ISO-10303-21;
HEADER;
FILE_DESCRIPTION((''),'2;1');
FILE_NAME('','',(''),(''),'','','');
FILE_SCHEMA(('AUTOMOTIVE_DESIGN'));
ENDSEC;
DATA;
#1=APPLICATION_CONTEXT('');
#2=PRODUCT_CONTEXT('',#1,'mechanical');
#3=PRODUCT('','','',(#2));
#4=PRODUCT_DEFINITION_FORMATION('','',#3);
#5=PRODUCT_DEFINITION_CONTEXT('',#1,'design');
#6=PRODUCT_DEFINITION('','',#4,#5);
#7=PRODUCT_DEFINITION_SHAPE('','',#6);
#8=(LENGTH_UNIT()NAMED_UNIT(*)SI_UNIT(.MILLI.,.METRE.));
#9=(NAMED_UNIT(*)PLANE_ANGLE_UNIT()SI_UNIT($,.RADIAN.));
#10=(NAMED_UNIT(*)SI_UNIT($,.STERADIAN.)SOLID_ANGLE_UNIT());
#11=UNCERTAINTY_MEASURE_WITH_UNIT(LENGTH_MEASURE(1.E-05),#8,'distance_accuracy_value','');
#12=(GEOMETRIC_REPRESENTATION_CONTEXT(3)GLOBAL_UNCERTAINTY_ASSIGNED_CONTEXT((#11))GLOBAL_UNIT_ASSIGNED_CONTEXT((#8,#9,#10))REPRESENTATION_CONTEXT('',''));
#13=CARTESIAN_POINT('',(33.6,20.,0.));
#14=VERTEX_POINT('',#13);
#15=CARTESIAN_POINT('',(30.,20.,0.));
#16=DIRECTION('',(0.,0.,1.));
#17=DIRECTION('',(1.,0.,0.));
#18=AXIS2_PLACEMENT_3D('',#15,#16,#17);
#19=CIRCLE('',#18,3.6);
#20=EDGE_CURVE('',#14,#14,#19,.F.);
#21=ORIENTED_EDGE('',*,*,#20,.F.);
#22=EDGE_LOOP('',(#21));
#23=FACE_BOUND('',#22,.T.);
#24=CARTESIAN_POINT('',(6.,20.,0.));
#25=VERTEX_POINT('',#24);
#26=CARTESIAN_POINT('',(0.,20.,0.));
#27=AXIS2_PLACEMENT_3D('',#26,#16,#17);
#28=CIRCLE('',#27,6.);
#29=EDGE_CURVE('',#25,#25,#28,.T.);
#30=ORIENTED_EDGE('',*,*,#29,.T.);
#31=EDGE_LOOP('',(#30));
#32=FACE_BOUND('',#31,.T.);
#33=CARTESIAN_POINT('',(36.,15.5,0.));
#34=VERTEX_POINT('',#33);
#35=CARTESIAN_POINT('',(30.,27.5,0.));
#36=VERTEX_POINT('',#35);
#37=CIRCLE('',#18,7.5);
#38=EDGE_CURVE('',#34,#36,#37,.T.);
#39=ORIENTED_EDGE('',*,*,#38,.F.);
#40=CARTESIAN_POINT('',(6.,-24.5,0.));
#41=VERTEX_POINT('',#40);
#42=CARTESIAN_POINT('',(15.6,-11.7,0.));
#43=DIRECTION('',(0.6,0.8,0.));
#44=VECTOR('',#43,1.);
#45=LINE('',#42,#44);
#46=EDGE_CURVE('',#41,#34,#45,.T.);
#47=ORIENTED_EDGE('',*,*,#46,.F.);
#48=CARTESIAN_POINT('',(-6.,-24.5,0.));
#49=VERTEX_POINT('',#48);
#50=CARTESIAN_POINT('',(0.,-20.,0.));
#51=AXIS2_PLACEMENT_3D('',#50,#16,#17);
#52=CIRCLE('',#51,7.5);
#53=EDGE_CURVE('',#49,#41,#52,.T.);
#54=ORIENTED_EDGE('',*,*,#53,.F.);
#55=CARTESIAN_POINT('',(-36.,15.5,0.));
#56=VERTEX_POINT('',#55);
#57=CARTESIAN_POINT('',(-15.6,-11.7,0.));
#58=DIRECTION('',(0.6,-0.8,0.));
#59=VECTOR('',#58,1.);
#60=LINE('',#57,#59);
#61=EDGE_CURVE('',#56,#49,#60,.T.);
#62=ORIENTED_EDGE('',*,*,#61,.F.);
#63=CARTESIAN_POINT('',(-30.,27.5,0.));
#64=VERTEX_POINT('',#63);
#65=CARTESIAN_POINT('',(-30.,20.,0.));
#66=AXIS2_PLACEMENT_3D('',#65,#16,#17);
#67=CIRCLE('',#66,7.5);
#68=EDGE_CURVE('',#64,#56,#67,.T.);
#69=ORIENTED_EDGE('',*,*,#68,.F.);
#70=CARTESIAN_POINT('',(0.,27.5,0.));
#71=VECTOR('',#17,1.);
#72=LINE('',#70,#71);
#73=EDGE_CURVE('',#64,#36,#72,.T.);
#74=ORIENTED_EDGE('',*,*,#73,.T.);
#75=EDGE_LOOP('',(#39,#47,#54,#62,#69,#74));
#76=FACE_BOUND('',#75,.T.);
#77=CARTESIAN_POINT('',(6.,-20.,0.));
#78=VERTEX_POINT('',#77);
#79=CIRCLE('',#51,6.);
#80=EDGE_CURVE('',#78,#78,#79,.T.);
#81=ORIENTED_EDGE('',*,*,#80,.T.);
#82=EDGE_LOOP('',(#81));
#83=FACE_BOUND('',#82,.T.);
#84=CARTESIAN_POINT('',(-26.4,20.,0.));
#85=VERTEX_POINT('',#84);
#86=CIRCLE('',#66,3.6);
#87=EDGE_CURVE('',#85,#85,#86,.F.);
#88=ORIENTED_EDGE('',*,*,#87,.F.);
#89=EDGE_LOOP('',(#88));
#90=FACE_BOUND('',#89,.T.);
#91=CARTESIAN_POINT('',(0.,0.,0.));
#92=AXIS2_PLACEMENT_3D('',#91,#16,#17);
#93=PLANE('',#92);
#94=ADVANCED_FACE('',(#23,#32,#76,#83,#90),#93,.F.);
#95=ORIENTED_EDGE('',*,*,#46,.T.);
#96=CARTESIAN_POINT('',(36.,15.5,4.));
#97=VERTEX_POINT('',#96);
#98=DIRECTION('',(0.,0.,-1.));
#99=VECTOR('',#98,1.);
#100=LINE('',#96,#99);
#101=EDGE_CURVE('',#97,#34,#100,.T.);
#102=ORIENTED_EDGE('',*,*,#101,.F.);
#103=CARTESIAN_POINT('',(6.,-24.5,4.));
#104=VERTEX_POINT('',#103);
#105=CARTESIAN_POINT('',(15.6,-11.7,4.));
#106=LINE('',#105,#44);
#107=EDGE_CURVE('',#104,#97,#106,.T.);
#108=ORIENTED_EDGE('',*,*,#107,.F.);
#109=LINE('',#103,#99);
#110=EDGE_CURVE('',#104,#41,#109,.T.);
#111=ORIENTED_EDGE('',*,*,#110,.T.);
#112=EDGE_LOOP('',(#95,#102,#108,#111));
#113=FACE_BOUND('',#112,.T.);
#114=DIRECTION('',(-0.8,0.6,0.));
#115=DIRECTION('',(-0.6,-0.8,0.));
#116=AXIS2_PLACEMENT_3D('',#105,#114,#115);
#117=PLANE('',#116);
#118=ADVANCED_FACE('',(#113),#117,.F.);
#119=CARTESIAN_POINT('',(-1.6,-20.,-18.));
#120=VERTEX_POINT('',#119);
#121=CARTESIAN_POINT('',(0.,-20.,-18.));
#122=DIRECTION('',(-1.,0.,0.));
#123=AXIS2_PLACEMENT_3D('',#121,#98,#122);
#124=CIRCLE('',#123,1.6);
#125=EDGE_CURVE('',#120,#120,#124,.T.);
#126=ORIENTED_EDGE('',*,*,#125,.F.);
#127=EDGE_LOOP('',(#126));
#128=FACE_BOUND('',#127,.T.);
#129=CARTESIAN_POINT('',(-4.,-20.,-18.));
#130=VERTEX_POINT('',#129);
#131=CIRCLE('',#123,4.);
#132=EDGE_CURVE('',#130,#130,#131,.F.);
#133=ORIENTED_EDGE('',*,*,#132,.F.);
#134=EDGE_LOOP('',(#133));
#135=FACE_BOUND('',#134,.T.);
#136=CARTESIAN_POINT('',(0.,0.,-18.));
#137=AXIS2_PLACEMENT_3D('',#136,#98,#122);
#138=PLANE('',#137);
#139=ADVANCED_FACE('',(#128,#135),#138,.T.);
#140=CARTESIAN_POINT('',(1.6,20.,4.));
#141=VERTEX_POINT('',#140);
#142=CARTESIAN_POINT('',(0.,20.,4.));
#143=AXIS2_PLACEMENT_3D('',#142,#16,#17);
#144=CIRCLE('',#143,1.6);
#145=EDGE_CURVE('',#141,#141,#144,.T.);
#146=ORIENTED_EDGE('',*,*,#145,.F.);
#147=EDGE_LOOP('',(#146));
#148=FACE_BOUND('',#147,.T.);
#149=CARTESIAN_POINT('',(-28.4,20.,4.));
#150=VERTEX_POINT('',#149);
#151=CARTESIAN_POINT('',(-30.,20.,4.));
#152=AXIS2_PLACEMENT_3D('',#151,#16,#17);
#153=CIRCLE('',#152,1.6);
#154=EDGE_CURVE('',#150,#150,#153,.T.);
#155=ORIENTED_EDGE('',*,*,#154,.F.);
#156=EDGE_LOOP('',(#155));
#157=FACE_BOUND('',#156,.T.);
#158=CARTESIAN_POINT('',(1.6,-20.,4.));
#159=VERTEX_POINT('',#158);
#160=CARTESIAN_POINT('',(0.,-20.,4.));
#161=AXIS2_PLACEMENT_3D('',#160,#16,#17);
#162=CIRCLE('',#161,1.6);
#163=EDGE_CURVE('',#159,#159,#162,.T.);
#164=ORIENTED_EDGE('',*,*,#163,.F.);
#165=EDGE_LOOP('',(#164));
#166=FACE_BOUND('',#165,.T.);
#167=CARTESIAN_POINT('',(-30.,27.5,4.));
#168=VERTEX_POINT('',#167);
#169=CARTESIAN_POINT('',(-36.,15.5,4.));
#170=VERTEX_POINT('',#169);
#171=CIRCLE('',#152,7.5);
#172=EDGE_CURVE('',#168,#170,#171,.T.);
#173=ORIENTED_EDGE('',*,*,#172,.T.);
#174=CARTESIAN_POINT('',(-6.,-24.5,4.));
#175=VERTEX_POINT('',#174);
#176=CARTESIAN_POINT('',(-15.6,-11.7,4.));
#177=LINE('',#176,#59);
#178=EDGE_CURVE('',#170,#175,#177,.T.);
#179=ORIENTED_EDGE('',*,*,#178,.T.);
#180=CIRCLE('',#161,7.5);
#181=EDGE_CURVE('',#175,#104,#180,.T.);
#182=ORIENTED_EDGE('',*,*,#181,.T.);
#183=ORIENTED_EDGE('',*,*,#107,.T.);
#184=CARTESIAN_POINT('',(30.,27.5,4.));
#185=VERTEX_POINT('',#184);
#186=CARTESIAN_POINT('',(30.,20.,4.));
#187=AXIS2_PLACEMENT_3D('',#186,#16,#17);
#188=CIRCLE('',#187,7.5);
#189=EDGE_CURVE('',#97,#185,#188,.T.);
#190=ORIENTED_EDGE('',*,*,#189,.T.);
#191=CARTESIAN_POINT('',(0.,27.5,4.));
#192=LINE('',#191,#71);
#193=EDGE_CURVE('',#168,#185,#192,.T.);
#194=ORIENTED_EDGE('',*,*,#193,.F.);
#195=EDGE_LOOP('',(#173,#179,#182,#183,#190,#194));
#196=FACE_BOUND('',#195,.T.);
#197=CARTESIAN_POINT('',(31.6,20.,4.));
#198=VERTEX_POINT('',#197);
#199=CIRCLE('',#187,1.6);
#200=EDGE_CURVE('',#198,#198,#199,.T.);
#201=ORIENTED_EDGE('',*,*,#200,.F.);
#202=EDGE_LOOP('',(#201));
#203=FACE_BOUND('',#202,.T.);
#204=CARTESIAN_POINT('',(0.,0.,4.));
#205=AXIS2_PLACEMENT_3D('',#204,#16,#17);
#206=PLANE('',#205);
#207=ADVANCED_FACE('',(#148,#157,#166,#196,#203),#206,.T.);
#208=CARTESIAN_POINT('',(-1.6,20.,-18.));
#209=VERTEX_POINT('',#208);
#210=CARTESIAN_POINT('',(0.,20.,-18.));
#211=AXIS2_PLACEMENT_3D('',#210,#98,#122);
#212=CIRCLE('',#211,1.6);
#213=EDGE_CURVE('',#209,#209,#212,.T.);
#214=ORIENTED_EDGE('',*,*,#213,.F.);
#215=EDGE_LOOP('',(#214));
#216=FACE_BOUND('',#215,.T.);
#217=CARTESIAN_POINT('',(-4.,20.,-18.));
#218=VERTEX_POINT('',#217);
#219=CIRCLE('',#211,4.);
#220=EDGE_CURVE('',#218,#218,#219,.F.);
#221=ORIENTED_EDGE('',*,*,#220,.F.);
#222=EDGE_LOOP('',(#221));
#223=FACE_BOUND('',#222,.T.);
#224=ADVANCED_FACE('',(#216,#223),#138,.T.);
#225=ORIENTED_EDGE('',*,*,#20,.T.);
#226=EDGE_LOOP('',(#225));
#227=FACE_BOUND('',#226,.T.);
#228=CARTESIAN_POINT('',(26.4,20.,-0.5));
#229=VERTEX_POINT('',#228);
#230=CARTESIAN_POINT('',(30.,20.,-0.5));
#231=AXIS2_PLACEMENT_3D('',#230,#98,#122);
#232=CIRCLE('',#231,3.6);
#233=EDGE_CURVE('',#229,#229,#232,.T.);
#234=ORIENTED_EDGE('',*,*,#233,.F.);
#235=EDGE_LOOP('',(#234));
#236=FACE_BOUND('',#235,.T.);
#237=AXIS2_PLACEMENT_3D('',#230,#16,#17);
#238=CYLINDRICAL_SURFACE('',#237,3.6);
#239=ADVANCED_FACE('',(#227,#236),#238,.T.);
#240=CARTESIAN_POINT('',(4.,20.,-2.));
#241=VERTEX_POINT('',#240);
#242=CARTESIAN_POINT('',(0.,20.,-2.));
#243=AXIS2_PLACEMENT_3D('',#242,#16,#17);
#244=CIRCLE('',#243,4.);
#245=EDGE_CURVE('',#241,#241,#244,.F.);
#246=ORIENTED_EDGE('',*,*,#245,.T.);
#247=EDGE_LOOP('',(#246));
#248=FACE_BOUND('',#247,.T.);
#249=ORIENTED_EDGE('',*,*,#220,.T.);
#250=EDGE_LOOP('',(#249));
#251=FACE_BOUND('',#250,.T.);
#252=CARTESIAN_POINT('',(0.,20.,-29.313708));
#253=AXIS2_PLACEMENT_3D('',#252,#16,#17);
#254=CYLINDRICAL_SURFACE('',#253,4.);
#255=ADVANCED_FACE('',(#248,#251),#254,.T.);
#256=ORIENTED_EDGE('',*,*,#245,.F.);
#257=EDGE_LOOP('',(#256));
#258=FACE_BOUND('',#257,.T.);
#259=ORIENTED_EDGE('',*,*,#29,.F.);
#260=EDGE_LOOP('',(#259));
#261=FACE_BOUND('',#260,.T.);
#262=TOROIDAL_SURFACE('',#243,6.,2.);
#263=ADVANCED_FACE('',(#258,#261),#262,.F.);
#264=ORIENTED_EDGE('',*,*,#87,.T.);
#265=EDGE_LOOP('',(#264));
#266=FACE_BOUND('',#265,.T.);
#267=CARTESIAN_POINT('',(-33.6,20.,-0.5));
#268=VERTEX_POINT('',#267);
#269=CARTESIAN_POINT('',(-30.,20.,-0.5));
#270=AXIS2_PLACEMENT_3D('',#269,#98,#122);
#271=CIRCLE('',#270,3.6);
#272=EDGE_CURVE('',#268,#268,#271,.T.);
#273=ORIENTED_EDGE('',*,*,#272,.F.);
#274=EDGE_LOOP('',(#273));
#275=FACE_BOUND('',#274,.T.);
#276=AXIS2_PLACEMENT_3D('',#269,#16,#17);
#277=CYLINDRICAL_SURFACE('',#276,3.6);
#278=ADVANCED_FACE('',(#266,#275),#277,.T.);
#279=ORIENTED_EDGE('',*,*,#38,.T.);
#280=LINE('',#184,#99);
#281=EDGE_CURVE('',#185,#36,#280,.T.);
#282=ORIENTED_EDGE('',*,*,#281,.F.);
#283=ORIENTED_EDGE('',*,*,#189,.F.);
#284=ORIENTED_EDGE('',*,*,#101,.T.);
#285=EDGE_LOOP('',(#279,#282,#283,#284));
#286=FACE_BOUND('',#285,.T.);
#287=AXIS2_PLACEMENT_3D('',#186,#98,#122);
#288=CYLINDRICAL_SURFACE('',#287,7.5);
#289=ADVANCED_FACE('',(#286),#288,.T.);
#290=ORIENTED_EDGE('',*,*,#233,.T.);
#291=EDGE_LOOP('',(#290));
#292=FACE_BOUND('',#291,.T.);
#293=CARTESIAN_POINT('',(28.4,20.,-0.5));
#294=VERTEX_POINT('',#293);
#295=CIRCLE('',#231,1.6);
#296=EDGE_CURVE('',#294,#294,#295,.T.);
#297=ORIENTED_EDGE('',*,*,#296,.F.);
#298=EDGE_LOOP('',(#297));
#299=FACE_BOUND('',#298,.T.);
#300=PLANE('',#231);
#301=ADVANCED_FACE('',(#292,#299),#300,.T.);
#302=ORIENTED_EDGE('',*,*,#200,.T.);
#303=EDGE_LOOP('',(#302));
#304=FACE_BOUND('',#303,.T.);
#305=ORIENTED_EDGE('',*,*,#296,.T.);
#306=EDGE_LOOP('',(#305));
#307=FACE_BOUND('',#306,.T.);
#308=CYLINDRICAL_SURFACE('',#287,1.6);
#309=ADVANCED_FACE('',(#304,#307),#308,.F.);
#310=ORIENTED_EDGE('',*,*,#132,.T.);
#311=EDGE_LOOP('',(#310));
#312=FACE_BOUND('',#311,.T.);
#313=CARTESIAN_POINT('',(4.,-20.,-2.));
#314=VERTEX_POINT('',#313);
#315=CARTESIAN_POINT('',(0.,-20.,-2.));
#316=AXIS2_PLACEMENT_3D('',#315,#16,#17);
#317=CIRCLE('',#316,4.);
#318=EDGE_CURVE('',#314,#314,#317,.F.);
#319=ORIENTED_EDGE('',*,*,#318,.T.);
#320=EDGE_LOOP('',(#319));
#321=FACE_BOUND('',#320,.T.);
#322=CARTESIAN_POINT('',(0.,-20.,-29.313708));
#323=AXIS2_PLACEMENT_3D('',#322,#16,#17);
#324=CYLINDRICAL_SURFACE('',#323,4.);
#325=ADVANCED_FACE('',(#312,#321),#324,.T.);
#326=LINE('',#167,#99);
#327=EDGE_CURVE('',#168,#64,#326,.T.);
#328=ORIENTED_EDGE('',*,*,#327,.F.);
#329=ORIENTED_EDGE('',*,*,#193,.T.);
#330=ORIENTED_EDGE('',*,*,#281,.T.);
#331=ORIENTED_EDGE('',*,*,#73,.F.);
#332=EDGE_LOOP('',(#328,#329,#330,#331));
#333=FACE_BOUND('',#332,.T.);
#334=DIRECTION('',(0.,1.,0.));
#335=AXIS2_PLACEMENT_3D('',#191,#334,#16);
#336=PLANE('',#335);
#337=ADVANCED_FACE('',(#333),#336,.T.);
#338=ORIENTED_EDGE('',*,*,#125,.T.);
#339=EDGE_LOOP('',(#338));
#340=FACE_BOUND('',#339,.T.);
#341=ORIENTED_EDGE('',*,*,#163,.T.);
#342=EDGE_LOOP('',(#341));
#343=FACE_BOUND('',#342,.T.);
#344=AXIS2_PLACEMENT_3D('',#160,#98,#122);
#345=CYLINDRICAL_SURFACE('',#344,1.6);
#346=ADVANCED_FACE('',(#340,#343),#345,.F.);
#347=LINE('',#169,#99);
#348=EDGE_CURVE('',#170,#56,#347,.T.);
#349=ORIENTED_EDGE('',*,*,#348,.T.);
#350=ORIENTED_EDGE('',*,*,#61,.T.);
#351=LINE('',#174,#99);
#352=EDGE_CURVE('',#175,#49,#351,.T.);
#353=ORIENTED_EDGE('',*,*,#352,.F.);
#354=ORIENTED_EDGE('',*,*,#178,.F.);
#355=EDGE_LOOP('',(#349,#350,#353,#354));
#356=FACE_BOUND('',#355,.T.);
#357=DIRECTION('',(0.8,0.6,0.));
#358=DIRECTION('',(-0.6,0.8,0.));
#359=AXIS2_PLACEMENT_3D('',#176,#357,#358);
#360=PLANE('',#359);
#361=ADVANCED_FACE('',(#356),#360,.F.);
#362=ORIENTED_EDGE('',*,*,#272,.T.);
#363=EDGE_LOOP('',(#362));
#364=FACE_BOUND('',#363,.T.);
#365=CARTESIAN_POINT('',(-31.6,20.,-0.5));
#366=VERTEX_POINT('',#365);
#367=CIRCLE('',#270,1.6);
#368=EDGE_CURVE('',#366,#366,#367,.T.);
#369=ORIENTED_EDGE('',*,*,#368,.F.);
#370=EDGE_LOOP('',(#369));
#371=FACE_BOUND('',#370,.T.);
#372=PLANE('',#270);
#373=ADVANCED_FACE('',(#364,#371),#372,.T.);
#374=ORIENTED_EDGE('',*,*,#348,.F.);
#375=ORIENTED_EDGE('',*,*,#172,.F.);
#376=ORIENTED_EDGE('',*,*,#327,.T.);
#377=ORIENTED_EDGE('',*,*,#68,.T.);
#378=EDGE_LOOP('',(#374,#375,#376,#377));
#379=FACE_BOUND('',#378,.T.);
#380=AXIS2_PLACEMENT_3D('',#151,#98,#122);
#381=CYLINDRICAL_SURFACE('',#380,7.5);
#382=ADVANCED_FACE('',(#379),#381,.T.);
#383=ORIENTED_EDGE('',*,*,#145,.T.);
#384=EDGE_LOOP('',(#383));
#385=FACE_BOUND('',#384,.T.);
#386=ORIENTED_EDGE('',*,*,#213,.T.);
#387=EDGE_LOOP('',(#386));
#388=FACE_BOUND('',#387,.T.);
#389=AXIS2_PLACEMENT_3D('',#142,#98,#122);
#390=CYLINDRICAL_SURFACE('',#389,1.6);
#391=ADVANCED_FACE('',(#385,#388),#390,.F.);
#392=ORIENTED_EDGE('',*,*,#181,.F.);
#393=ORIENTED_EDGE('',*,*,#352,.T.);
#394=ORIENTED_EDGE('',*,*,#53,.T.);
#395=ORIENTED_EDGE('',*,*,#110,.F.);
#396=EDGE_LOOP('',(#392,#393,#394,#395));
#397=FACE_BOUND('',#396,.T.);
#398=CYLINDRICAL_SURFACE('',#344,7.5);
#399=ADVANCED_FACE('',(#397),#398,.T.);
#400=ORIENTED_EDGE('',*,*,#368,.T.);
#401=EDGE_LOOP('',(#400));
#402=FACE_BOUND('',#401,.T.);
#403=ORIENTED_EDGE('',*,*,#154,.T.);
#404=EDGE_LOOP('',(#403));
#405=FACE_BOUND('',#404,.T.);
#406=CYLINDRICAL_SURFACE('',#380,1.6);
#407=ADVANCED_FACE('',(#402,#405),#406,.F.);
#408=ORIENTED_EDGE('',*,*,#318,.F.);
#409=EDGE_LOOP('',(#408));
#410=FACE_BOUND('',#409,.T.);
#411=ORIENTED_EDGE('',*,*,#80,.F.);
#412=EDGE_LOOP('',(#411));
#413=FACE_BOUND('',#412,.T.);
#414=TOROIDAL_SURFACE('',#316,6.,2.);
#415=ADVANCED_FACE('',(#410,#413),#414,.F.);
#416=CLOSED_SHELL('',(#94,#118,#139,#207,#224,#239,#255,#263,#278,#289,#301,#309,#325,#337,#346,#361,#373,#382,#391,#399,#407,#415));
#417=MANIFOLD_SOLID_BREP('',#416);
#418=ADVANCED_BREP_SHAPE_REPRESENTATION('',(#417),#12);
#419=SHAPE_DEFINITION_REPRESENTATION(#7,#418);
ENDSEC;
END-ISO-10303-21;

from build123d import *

# Parameters (mm, degrees)
SKETCH1_R           = 1.6
BOSS_EXTRUDE1_DEPTH = 4
SKETCH1_4_R         = 4
SKETCH1_4_R_2       = 1.6
BOSS_EXTRUDE2_DEPTH = 18
SKETCH3_R           = 3.6
SKETCH3_R_2         = 1.6
BOSS_EXTRUDE3_DEPTH = 0.5
FILLET1_R           = 2


with BuildPart() as part:
    # Sketch1 → Boss-Extrude1 (new body)
    with BuildSketch(Plane.XY):
        with BuildLine():
            Line((-36, 15.5), (-6, -24.5))
            ThreePointArc((-6, -24.5), (0, -27.5), (6, -24.5))
            Line((6, -24.5), (36, 15.5))
            ThreePointArc((36, 15.5), (36.708203932, 23.354101966), (30, 27.5))
            Line((30, 27.5), (-30, 27.5))
            ThreePointArc((-30, 27.5), (-36.708203932, 23.354101966), (-36, 15.5))
        make_face()
        with Locations((-30, 20)):
            Circle(SKETCH1_R, mode=Mode.SUBTRACT)
        with Locations((30, 20)):
            Circle(SKETCH1_R, mode=Mode.SUBTRACT)
        with Locations((0, 20)):
            Circle(SKETCH1_R, mode=Mode.SUBTRACT)
        with Locations((0, -20)):
            Circle(SKETCH1_R, mode=Mode.SUBTRACT)
    extrude(amount=BOSS_EXTRUDE1_DEPTH)

    # Sketch1<4> → Boss-Extrude2 (add)
    with BuildSketch(Plane.XY):
        with Locations((0, 20)):
            Circle(SKETCH1_4_R)
        with Locations((0, 20)):
            Circle(SKETCH1_4_R_2, mode=Mode.SUBTRACT)
        with Locations((0, -20)):
            Circle(SKETCH1_4_R)
        with Locations((0, -20)):
            Circle(SKETCH1_4_R_2, mode=Mode.SUBTRACT)
    extrude(amount=-BOSS_EXTRUDE2_DEPTH)

    # Sketch3 → Boss-Extrude3 (add)
    with BuildSketch(Plane(origin=(0, 0, 0), x_dir=(-1, 0, 0), z_dir=(0, 0, -1))):
        with Locations((-30, 20)):
            Circle(SKETCH3_R)
        with Locations((-30, 20)):
            Circle(SKETCH3_R_2, mode=Mode.SUBTRACT)
        with Locations((30, 20)):
            Circle(SKETCH3_R)
        with Locations((30, 20)):
            Circle(SKETCH3_R_2, mode=Mode.SUBTRACT)
    extrude(amount=BOSS_EXTRUDE3_DEPTH)

    # Fillet1
    fillet1_edges = [part.edges().sort_by_distance(p)[0] for p in [
        (-4, 20, 0),
        (-4, -20, 0),
    ]]
    fillet(fillet1_edges, radius=FILLET1_R)


solid = part.part
